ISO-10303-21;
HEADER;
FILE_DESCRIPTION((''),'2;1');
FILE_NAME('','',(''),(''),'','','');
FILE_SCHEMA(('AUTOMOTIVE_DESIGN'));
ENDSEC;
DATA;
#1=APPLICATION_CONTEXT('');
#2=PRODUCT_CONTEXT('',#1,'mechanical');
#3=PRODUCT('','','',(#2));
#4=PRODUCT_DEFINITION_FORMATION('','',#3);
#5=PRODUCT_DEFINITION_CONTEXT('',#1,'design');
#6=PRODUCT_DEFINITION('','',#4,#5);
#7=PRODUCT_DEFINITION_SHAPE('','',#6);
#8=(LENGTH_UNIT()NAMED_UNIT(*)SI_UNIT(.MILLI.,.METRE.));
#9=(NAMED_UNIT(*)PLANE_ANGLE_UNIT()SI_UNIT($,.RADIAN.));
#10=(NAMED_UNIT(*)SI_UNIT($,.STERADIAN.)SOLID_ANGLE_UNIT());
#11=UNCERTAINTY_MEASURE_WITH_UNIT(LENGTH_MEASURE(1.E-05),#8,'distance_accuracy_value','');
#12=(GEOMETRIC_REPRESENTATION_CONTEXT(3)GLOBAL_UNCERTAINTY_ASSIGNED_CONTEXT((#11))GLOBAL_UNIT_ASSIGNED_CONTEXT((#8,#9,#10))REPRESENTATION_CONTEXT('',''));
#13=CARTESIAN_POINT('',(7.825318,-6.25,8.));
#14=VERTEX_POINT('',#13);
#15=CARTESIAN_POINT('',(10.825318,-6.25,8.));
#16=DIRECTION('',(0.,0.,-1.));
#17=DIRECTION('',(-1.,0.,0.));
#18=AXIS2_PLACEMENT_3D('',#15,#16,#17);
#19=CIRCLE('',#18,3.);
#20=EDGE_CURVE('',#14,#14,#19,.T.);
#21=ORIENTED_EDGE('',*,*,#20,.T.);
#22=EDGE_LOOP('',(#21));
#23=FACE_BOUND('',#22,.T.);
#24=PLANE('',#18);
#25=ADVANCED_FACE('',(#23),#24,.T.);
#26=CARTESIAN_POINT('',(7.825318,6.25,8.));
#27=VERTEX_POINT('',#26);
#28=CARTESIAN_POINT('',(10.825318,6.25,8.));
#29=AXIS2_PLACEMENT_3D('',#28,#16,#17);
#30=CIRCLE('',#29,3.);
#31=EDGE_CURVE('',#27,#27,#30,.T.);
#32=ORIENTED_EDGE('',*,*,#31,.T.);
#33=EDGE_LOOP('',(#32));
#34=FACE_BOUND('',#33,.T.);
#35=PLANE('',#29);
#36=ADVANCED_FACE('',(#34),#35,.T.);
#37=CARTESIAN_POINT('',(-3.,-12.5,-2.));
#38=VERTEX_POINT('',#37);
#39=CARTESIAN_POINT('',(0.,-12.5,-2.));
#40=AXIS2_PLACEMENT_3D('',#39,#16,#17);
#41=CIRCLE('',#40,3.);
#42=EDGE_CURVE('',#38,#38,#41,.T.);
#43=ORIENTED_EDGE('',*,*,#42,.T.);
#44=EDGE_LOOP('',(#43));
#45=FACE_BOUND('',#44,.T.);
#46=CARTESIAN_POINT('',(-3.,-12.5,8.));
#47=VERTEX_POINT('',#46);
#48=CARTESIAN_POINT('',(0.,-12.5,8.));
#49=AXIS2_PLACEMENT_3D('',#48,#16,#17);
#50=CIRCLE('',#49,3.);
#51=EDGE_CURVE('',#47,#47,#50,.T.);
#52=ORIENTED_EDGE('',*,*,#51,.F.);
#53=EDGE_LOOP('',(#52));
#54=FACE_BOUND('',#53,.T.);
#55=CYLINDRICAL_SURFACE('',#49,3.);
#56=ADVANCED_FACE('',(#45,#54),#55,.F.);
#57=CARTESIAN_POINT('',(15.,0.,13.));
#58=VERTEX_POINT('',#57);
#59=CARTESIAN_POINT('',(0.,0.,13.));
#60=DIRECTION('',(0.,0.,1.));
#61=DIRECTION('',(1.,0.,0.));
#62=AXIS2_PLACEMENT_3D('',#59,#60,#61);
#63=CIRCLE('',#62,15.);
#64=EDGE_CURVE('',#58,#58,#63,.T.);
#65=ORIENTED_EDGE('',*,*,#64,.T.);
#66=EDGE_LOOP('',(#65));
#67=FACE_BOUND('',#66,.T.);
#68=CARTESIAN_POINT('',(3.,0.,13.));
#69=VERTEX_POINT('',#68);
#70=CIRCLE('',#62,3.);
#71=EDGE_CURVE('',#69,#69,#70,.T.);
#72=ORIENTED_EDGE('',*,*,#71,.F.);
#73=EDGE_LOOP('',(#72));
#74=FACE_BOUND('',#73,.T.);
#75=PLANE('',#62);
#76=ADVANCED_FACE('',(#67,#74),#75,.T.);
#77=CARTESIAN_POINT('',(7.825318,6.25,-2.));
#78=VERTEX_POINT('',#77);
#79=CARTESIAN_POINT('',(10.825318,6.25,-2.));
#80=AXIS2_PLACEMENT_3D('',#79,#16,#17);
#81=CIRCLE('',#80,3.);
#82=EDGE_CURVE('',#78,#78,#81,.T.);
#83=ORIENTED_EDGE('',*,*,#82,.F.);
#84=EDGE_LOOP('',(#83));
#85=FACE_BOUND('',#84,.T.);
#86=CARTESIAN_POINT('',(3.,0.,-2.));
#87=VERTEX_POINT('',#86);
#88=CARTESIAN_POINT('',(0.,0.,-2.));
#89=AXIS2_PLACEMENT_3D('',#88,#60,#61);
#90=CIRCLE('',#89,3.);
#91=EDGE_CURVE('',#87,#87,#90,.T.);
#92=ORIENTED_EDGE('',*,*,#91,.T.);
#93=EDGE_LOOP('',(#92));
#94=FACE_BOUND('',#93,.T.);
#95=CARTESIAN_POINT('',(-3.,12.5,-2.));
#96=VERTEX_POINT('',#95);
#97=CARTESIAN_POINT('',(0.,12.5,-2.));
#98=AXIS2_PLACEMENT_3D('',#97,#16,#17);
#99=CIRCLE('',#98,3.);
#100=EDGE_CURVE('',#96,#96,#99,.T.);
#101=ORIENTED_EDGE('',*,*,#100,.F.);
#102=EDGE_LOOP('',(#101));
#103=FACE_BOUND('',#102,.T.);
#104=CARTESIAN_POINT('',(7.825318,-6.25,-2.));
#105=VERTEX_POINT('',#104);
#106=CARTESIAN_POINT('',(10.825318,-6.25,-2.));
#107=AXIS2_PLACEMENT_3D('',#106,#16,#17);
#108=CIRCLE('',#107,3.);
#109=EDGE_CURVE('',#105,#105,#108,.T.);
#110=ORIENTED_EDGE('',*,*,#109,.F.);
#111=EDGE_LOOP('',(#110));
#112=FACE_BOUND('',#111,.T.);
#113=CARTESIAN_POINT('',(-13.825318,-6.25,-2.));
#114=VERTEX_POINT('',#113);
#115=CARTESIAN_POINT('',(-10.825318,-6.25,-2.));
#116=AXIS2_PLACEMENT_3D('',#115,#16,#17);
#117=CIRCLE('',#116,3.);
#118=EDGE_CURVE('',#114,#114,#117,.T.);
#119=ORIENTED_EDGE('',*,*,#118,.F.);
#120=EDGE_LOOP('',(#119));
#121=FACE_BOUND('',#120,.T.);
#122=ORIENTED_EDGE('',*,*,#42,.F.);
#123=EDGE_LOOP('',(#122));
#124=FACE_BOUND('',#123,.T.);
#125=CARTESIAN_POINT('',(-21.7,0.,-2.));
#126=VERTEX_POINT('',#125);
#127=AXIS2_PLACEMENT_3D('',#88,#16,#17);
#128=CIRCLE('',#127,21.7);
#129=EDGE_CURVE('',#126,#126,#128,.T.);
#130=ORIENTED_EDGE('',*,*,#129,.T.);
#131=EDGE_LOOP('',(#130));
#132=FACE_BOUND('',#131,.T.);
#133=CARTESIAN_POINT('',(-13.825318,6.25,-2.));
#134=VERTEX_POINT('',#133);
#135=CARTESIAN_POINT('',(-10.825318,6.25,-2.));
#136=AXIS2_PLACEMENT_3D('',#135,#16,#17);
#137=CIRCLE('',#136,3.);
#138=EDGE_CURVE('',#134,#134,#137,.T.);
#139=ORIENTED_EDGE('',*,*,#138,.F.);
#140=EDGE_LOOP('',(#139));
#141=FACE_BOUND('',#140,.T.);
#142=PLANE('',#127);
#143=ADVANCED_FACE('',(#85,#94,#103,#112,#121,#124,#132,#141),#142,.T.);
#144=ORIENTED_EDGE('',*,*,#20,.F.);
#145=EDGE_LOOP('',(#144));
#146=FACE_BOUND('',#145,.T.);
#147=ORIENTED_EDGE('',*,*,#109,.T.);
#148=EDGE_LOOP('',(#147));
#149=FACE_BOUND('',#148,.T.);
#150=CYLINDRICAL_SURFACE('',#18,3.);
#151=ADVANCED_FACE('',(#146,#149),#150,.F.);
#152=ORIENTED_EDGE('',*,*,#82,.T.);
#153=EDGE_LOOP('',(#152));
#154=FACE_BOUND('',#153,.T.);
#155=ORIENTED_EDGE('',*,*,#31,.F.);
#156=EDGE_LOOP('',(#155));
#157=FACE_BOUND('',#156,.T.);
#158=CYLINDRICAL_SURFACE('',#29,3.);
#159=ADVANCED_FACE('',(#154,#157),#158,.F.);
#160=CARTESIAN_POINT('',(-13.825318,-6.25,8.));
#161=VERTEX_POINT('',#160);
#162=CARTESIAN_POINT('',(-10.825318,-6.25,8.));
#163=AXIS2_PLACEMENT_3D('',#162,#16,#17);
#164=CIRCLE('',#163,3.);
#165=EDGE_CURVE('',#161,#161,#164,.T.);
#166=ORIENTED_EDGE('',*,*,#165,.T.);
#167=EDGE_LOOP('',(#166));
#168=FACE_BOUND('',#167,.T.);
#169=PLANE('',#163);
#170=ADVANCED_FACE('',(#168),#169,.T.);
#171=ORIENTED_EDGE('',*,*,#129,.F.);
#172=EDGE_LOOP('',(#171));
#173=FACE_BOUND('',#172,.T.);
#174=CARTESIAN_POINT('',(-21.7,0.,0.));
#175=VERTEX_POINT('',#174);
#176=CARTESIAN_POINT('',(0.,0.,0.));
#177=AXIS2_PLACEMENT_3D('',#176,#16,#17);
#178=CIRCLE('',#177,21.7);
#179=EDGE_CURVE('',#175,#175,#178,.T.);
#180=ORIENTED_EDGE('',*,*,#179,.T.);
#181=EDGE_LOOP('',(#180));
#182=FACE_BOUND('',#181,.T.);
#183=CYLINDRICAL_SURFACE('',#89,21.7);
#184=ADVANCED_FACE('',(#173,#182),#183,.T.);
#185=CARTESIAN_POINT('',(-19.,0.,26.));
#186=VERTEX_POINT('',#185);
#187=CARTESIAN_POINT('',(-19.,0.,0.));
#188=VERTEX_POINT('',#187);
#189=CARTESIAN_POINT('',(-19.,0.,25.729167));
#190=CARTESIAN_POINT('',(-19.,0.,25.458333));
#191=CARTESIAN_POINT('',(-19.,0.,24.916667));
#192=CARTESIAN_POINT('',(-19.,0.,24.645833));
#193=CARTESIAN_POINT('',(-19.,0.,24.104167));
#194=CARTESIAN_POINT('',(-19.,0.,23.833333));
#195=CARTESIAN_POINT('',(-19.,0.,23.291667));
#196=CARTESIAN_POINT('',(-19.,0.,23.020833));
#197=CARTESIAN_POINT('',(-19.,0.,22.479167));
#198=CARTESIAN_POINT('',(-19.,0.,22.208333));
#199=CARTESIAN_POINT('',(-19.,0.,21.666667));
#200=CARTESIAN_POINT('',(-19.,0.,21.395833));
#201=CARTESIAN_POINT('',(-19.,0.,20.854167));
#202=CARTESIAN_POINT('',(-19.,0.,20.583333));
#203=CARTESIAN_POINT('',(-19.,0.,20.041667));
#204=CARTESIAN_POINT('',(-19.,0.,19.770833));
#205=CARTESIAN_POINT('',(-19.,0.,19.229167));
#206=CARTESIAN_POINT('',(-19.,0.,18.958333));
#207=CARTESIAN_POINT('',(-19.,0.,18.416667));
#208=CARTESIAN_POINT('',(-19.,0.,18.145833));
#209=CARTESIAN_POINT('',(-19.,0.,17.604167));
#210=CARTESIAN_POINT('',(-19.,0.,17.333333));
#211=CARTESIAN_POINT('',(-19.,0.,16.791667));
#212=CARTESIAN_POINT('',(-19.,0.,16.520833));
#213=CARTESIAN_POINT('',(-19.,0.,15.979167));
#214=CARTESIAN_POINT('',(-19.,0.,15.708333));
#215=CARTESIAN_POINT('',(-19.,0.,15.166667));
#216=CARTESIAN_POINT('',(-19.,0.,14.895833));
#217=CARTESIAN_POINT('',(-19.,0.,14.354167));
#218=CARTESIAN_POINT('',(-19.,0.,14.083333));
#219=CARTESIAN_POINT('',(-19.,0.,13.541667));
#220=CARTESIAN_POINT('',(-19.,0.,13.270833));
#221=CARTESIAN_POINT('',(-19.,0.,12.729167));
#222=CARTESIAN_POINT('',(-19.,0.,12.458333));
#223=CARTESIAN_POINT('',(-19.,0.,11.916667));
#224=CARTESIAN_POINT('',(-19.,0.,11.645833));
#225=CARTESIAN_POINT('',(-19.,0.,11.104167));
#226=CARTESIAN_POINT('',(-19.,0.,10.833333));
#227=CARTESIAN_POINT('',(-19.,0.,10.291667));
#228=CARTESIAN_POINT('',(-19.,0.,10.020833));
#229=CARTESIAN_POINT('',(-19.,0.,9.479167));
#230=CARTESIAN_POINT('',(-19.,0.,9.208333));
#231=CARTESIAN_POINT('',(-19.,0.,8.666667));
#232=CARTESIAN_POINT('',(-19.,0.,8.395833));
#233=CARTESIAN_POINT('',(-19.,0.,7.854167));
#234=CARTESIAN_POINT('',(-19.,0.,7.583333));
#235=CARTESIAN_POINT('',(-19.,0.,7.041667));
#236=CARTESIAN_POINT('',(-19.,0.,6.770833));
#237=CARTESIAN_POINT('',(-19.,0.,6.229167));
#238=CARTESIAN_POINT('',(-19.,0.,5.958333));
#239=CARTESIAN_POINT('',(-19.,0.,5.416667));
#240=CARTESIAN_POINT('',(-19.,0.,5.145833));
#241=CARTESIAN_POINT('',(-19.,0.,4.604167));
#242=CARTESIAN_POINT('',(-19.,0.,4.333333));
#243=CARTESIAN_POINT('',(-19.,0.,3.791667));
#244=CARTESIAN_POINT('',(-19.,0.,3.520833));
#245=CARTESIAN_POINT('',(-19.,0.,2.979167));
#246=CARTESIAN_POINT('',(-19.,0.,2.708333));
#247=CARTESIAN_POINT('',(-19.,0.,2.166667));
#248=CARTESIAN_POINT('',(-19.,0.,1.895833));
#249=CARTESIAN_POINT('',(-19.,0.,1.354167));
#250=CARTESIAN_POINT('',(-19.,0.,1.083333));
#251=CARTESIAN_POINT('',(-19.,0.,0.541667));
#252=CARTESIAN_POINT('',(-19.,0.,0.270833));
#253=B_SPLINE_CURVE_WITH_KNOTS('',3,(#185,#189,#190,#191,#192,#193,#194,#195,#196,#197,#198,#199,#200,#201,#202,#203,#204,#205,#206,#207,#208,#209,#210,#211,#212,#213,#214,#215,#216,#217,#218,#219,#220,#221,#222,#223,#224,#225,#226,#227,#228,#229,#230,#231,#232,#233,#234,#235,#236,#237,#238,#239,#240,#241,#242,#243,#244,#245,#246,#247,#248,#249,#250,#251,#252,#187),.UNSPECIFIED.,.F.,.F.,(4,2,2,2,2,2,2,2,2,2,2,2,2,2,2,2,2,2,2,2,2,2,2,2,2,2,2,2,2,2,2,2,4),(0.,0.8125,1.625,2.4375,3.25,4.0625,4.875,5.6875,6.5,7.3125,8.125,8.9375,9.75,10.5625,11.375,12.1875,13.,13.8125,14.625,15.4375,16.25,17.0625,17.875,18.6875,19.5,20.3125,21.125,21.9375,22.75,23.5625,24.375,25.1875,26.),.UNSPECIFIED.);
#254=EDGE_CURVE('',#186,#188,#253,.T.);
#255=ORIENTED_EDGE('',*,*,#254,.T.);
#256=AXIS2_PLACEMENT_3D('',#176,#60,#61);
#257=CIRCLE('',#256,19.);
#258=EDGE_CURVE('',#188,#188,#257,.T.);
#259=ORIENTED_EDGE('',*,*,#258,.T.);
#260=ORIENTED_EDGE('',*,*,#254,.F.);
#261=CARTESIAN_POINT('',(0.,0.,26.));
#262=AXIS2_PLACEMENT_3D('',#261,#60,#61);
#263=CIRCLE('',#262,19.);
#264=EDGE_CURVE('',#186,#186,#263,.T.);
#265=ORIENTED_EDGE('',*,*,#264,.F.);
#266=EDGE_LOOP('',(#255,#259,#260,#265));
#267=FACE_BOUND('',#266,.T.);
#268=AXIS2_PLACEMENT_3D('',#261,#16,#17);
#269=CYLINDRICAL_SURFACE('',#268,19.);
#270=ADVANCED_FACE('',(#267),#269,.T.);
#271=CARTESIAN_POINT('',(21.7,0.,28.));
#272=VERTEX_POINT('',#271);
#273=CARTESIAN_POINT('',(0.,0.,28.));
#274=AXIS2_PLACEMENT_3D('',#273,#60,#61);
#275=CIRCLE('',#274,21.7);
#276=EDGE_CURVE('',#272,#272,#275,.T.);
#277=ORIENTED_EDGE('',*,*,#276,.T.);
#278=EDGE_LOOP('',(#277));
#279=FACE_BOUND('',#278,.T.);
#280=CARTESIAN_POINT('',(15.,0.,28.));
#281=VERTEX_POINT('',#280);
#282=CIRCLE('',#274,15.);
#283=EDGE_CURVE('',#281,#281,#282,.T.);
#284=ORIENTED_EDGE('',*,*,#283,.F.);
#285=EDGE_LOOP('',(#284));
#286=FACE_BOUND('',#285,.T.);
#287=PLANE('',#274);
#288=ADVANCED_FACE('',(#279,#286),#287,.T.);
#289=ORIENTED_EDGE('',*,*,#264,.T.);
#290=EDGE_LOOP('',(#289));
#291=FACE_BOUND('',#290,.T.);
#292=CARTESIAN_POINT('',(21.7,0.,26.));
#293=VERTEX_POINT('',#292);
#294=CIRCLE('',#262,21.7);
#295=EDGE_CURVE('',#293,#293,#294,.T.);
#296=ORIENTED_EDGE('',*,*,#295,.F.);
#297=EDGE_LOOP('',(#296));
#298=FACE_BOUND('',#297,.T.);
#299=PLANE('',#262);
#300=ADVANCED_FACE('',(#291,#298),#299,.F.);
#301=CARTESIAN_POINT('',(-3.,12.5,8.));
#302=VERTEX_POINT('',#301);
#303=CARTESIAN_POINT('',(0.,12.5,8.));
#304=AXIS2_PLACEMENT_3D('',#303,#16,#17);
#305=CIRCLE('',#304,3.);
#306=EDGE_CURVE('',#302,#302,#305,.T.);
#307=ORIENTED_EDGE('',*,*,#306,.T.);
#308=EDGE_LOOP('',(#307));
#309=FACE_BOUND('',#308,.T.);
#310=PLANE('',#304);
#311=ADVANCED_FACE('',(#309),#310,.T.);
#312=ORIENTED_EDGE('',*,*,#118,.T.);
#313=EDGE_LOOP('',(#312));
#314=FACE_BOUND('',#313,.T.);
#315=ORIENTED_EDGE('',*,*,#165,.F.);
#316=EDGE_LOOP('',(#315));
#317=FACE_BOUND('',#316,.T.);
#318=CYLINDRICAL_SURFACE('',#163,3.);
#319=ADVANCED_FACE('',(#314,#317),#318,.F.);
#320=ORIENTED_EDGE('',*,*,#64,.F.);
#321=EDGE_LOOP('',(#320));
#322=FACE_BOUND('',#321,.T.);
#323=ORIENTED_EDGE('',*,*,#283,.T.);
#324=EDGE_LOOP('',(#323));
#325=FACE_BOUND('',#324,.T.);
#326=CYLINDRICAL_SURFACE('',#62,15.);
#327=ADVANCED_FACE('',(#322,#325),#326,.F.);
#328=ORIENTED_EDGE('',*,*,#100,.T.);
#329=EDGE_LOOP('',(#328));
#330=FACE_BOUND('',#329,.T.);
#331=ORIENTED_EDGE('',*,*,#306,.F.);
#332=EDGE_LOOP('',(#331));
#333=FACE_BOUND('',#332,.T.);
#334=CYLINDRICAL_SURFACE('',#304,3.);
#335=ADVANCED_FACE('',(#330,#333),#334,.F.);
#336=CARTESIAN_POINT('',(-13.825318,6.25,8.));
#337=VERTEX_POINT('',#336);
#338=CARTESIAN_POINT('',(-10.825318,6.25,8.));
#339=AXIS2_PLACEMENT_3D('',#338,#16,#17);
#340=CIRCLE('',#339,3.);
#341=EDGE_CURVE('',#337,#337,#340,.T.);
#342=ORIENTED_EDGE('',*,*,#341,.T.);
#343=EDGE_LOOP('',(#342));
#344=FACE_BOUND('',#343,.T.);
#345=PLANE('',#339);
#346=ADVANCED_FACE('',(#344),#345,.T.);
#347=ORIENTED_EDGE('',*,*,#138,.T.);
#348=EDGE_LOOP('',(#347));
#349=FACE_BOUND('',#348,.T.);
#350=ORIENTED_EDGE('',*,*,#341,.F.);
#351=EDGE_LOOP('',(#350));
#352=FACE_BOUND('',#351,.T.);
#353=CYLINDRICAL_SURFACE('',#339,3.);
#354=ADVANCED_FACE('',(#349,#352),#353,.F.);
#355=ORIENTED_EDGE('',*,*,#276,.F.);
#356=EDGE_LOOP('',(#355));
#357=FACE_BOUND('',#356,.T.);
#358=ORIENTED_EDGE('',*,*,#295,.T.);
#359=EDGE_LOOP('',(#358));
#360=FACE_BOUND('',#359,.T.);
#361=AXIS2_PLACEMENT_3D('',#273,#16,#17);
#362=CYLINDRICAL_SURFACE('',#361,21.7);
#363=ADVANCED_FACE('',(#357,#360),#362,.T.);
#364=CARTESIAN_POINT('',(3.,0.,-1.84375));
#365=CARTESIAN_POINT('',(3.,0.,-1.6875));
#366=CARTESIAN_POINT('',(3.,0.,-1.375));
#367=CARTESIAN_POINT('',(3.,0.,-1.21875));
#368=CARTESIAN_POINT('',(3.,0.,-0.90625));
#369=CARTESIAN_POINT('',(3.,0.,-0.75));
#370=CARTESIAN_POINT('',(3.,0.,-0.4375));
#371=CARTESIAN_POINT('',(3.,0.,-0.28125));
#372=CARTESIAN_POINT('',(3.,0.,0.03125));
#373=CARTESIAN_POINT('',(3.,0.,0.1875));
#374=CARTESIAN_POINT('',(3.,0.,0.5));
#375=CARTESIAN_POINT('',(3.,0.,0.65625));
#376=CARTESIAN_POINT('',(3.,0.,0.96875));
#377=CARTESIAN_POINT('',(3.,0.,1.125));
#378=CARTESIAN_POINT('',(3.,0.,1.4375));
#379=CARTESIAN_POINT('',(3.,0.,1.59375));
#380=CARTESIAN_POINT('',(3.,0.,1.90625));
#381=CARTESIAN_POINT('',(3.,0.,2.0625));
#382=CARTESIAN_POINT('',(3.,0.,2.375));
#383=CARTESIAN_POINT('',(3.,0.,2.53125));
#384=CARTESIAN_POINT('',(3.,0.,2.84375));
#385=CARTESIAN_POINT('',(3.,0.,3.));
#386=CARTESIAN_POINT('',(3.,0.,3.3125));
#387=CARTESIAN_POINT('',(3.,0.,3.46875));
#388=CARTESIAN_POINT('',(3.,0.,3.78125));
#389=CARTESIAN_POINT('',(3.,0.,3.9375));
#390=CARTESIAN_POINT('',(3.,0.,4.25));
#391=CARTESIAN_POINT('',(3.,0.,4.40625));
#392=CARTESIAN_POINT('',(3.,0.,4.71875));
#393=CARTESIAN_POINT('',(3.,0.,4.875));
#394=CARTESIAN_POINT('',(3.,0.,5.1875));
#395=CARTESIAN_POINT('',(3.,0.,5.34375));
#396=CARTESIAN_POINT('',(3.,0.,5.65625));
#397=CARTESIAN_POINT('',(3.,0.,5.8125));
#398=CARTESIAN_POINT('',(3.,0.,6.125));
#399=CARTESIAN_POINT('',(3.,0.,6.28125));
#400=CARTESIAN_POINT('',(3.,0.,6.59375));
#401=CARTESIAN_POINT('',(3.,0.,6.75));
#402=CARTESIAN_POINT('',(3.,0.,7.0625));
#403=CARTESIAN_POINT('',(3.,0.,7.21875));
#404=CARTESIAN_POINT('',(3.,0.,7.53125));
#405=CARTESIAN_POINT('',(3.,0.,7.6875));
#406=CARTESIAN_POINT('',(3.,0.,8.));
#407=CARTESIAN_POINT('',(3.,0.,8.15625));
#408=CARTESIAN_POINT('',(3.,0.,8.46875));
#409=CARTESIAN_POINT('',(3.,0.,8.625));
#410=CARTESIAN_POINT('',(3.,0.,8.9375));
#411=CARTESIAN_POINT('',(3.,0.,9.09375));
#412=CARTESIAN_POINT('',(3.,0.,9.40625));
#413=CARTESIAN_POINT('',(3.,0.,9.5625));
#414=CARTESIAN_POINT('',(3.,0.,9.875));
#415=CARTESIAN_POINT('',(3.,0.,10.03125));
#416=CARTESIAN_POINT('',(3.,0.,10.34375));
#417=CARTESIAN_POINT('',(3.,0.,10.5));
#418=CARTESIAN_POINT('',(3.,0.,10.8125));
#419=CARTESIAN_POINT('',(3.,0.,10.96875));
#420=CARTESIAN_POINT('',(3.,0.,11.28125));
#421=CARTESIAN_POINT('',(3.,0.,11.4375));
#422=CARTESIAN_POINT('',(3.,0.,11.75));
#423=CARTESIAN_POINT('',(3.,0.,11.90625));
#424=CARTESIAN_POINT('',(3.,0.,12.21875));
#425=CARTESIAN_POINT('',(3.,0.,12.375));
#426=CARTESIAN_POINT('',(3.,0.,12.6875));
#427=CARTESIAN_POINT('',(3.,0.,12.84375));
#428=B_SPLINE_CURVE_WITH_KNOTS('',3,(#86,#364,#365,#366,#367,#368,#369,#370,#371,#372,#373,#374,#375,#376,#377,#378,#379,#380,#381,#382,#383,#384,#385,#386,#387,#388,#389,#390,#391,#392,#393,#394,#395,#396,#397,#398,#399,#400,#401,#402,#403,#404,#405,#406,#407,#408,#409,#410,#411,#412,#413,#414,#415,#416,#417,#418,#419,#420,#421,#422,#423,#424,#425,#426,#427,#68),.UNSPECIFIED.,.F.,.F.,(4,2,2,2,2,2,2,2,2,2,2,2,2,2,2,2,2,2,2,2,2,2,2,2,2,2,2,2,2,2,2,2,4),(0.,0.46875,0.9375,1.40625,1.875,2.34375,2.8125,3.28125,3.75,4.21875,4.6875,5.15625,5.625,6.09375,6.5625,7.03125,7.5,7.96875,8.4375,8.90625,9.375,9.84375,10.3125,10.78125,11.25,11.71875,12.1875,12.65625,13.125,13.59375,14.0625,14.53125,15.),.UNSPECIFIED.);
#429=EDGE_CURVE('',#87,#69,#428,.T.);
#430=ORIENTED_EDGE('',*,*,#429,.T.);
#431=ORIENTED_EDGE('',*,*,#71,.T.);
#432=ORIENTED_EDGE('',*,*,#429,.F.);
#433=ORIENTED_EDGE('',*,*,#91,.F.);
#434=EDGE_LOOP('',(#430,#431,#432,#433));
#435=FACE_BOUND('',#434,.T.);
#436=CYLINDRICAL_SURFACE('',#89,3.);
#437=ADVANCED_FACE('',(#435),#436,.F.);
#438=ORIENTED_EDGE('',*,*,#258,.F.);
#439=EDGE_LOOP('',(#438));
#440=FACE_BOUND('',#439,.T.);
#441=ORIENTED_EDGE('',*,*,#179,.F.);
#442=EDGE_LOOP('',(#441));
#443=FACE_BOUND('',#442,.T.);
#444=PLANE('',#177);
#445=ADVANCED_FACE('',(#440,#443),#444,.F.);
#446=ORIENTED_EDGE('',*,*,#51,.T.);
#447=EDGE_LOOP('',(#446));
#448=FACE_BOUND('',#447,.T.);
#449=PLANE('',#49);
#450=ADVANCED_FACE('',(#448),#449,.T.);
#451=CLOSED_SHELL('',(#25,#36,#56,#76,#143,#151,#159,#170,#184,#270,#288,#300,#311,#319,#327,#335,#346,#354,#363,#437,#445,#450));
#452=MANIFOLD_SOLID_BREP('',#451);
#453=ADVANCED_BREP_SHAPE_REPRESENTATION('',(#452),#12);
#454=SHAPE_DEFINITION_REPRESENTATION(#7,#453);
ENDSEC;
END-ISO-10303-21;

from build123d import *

# Parameters (mm, degrees)
CROQUIS2_R              = 19
SALIENTE_EXTRUIR1_DEPTH = 26
CROQUIS3_R              = 21.7
SALIENTE_EXTRUIR2_DEPTH = 2
SALIENTE_EXTRUIR3_START = 2
CROQUIS4_R              = 21.7
SALIENTE_EXTRUIR3_DEPTH = 2
CROQUIS5_R              = 15
CORTAR_EXTRUIR1_DEPTH   = 15
CROQUIS6_R              = 3
CORTAR_EXTRUIR2_DEPTH   = 35.158161543
CROQUIS7_R              = 3
CORTAR_EXTRUIR3_DEPTH   = 10


with BuildPart() as part:
    # Croquis2 → Saliente-Extruir1 (new body)
    with BuildSketch(Plane.XY):
        with Locations(Location((0, 0, 0), (0, 0, 180))):
            Circle(CROQUIS2_R)
    extrude(amount=SALIENTE_EXTRUIR1_DEPTH)

    # Croquis3 → Saliente-Extruir2 (add)
    with BuildSketch(Plane.XY.offset(26)):
        Circle(CROQUIS3_R)
    extrude(amount=SALIENTE_EXTRUIR2_DEPTH)

    # Croquis4 → Saliente-Extruir3 (add)
    with BuildSketch(Plane(origin=(0, 0, 0), x_dir=(-1, 0, 0), z_dir=(0, 0, -1)).offset(SALIENTE_EXTRUIR3_START)):
        with Locations(Location((0, 0, 0), (0, 0, 180))):
            Circle(CROQUIS4_R)
    extrude(amount=-SALIENTE_EXTRUIR3_DEPTH)

    # Croquis5 → Cortar-Extruir1 (cut)
    with BuildSketch(Plane.XY.offset(28)):
        Circle(CROQUIS5_R)
    extrude(amount=-CORTAR_EXTRUIR1_DEPTH, mode=Mode.SUBTRACT)

    # Croquis6 → Cortar-Extruir2 (cut, through all)
    with BuildSketch(Plane.XY.offset(13)):
        Circle(CROQUIS6_R)
    extrude(amount=-CORTAR_EXTRUIR2_DEPTH, mode=Mode.SUBTRACT)

    # Croquis7 → Cortar-Extruir3 (cut)
    with BuildSketch(Plane(origin=(0, 0, -2), x_dir=(-1, 0, 0), z_dir=(0, 0, -1))):
        with Locations((0, 12.5)):
            Circle(CROQUIS7_R)
        with Locations((10.825317547, 6.25)):
            Circle(CROQUIS7_R)
        with Locations((10.825317547, -6.25)):
            Circle(CROQUIS7_R)
        with Locations((0, -12.5)):
            Circle(CROQUIS7_R)
        with Locations((-10.825317547, -6.25)):
            Circle(CROQUIS7_R)
        with Locations((-10.825317547, 6.25)):
            Circle(CROQUIS7_R)
    extrude(amount=-CORTAR_EXTRUIR3_DEPTH, mode=Mode.SUBTRACT)


solid = part.part
